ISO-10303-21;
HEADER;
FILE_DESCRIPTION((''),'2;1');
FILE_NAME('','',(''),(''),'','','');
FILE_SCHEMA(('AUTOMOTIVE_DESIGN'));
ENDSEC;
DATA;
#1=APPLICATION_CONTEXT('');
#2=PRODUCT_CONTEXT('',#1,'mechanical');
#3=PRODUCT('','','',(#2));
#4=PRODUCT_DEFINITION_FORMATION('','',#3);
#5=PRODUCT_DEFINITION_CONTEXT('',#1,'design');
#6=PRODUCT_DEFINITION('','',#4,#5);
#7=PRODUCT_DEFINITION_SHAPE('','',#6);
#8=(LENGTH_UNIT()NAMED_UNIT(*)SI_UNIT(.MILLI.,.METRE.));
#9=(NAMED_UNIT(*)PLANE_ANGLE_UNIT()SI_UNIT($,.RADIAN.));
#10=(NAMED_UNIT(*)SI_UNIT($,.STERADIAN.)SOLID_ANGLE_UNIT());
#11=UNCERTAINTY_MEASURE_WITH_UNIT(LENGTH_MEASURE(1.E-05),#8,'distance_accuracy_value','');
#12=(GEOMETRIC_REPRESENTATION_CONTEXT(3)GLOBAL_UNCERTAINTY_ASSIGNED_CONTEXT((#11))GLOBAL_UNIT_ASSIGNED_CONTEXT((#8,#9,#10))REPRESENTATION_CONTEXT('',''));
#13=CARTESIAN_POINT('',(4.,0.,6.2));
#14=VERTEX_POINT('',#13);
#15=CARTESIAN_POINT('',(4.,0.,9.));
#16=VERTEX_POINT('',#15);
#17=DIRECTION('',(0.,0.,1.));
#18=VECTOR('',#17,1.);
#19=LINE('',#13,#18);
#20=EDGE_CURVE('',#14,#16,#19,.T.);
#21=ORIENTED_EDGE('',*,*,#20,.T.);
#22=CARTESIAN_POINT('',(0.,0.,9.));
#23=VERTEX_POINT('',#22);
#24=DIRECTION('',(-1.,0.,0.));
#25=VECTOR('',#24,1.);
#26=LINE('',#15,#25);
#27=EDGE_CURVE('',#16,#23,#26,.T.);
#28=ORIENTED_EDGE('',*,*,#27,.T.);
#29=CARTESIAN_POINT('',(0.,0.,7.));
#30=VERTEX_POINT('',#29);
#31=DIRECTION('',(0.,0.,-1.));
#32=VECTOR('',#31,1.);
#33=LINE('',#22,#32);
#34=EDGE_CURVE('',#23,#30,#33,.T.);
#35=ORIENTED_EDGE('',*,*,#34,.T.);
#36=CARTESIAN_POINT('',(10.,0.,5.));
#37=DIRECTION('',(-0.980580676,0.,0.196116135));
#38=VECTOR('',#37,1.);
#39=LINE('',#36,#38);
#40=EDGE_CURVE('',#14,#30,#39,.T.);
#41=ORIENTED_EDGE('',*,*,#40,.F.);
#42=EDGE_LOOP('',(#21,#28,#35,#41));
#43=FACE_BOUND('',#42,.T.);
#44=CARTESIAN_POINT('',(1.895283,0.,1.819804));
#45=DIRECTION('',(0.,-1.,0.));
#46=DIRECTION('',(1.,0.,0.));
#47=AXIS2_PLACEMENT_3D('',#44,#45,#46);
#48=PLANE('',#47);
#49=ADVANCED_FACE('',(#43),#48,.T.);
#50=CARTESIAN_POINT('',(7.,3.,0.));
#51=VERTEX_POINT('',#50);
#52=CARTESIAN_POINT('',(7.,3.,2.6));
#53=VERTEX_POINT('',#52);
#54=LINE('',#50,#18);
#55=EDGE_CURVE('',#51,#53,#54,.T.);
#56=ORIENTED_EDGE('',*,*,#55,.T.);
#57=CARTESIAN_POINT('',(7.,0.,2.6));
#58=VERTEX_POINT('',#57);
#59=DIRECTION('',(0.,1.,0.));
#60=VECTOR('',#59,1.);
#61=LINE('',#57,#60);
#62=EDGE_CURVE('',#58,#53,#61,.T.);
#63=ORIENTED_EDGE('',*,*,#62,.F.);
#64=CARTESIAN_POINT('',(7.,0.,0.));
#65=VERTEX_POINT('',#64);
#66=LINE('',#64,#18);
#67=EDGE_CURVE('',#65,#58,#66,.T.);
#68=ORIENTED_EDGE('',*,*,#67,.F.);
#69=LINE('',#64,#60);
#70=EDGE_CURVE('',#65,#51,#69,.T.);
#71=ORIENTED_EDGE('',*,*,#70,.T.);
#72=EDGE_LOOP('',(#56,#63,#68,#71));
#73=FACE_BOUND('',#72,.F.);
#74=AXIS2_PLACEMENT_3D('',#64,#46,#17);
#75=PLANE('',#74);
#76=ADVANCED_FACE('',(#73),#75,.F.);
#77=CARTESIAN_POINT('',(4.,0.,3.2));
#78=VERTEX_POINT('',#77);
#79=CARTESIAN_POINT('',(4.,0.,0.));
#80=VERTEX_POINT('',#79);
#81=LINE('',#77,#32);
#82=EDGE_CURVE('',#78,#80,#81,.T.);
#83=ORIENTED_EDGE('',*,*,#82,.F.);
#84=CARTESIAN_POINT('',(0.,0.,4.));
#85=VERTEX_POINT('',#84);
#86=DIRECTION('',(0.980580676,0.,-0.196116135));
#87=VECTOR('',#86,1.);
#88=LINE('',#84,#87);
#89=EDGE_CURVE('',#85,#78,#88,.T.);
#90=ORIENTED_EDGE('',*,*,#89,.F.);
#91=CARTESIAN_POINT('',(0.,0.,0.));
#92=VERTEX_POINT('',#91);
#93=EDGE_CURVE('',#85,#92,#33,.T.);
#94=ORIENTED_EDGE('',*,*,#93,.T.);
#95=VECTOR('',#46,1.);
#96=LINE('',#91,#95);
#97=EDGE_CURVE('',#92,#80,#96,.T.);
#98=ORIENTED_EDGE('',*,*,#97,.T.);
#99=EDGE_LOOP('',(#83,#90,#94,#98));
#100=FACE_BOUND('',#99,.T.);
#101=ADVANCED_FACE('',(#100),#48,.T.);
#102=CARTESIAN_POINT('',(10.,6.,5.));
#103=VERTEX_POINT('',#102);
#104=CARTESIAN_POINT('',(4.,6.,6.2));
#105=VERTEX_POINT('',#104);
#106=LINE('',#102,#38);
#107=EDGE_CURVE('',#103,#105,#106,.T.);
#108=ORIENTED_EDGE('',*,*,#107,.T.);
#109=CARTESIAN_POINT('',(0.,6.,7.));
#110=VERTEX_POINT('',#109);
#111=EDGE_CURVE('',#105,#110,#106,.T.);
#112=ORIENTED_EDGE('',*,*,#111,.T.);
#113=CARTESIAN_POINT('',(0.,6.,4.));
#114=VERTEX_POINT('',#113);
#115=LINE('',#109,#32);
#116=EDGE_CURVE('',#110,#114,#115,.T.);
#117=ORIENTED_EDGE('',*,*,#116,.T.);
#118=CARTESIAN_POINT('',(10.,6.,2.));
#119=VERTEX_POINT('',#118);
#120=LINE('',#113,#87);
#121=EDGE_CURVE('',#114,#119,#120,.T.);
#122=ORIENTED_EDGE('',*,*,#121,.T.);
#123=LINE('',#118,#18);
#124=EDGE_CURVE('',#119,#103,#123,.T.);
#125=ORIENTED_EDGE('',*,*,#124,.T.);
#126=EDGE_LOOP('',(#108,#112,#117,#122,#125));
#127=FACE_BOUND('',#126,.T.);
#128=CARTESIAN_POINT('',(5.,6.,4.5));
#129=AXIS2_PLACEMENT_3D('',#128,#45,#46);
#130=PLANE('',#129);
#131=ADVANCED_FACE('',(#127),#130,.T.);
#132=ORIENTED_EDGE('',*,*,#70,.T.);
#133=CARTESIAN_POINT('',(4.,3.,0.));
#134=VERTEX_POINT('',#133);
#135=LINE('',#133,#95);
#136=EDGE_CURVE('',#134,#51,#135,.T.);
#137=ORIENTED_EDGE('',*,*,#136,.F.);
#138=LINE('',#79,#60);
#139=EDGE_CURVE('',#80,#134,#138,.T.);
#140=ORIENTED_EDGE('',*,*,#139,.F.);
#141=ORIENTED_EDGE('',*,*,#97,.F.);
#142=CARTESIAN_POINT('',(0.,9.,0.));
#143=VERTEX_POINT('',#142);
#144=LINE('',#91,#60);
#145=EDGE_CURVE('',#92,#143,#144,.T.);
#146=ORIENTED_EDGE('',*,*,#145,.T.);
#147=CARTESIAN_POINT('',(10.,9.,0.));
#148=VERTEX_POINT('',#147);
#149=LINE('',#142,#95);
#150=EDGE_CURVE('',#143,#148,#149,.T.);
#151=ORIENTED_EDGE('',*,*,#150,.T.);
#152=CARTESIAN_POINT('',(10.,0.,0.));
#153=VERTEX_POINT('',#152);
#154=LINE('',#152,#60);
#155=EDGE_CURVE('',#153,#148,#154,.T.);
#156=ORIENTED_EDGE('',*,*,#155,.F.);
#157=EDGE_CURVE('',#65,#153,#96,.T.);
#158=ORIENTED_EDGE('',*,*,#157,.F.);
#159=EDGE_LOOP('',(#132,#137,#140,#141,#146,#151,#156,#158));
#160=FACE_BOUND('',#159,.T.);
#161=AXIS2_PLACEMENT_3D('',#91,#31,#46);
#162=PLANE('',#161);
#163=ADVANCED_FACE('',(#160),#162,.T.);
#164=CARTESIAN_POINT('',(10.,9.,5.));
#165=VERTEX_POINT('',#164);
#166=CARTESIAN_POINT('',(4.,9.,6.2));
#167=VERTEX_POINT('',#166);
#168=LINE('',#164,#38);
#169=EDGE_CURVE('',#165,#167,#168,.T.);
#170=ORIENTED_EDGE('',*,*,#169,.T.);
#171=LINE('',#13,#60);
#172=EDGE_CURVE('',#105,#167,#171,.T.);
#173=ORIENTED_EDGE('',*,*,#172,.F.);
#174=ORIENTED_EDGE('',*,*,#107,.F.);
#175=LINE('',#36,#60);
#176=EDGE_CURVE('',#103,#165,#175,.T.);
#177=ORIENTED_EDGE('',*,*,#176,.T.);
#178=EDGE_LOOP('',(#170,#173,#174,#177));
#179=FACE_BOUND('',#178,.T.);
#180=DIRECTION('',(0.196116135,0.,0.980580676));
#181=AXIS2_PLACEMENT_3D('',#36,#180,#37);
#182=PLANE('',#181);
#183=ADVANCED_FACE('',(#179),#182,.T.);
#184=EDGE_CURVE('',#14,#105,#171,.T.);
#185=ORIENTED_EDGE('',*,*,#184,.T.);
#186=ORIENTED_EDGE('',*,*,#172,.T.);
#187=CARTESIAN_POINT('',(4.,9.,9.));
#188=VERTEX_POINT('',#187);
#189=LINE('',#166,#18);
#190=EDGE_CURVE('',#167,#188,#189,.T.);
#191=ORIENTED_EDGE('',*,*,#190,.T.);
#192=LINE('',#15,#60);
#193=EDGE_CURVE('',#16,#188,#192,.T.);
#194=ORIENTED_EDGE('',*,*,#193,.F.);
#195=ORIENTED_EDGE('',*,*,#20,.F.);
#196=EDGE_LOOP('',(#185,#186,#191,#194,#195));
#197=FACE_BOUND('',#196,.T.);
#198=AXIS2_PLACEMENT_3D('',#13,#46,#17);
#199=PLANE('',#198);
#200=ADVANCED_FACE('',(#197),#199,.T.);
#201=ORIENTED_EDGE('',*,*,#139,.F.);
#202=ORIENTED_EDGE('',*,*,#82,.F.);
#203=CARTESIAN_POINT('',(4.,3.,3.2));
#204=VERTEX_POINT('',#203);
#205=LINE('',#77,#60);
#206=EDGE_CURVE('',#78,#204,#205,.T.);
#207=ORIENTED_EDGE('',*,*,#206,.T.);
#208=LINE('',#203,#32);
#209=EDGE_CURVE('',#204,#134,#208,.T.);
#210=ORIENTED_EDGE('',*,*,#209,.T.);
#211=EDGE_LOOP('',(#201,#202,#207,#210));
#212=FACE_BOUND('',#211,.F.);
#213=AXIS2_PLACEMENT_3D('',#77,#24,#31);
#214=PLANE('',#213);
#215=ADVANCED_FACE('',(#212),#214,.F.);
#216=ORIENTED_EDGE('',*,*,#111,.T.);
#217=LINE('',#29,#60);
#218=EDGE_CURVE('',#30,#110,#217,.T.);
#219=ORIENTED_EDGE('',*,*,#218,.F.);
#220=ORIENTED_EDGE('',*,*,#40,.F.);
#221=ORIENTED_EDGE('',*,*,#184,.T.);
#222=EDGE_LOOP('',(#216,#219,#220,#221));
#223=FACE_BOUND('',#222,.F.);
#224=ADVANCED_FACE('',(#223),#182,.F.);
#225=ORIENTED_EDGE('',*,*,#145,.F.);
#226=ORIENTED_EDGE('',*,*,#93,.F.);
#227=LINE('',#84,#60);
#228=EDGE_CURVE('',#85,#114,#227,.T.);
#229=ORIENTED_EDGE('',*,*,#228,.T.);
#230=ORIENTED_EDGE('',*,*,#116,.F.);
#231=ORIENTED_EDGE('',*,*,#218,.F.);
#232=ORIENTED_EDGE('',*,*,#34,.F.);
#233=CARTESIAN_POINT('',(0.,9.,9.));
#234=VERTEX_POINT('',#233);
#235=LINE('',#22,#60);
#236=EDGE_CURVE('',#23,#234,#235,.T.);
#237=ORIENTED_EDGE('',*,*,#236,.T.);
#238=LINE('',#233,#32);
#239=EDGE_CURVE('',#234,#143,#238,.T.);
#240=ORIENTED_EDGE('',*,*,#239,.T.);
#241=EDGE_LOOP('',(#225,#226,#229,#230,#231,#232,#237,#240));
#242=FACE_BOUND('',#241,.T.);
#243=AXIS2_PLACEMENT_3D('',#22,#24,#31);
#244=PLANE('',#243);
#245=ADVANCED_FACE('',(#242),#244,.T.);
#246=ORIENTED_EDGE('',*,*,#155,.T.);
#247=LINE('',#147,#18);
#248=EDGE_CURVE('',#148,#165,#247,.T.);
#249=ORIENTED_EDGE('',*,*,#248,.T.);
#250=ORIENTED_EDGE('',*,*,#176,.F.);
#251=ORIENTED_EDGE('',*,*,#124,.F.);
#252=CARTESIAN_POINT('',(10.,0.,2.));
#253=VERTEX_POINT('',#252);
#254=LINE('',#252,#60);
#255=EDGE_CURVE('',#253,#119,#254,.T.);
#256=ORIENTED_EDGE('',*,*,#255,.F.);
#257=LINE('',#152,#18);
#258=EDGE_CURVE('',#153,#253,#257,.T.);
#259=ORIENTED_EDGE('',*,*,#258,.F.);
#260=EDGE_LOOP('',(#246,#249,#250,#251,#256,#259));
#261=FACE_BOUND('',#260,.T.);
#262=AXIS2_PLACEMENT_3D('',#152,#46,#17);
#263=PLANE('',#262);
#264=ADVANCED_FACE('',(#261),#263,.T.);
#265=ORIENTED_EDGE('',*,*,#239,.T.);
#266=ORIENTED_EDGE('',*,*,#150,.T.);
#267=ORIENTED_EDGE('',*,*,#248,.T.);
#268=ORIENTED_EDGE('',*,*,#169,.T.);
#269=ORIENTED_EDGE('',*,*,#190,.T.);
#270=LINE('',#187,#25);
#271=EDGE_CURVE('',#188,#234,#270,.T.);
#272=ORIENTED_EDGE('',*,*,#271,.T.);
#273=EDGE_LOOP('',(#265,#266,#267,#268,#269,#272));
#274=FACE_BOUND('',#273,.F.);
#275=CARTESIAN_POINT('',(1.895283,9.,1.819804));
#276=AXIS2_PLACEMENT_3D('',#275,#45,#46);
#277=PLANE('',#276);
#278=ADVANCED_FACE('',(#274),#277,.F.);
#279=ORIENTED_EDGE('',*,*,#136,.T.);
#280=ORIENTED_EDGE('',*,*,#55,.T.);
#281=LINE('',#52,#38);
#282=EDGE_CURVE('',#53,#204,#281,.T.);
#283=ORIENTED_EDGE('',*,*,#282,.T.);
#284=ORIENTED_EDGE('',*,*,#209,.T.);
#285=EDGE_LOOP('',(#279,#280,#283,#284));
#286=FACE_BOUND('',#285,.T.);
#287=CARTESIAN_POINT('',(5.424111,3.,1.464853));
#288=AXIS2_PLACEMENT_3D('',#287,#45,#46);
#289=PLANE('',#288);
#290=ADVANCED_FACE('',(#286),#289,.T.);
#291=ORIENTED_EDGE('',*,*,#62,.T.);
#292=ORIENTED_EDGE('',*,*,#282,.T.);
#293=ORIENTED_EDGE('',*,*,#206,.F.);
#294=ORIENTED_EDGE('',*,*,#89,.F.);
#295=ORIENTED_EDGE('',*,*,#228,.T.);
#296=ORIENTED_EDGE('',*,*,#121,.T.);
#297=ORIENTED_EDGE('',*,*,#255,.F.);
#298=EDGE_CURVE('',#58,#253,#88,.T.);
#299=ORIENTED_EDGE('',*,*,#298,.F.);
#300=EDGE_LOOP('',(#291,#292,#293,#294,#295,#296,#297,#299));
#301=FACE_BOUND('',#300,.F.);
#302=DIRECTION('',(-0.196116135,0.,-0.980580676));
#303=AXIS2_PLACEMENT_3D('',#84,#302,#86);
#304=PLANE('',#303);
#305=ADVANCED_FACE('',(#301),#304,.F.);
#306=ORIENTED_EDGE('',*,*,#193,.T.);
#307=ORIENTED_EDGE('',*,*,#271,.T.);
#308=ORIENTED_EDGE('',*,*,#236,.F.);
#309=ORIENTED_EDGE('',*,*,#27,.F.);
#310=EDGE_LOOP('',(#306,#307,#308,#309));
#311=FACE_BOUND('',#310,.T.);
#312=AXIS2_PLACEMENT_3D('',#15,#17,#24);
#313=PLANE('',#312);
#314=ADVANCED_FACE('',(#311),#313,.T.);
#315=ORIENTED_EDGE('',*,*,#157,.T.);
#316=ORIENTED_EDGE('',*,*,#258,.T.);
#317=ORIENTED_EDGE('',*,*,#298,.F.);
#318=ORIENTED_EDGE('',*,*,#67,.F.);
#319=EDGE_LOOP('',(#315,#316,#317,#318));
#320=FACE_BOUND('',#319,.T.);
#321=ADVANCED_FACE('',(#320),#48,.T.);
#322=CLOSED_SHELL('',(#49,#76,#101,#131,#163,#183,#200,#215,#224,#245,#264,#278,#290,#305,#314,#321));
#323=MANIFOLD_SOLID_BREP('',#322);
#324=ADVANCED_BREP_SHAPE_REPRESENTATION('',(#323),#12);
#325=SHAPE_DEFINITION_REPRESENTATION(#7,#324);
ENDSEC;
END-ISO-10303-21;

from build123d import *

# Parameters (mm, degrees)
F1_DEPTH = 9
F2_DEPTH = 6
F3_DEPTH = 3


with BuildPart() as f1:
    # F0 (on Front) → F1 (new body)
    with BuildSketch(Plane.XZ):
        Polygon((0, 4), (0, 0), (4, 0), (4, 3.2), align=None)
        Polygon((7, 2.6), (7, 0), (10, 0), (10, 2), align=None)
        Polygon((0, 9), (0, 7), (4, 6.2), (4, 9), align=None)
        Polygon((4, 3.2), (4, 0), (7, 0), (7, 2.6), align=None)
        Polygon((0, 7), (0, 4), (4, 3.2), (7, 2.6), (10, 2), (10, 5), (4, 6.2), align=None)
    extrude(amount=-F1_DEPTH)

    # F0 (on Front) → F2 (cut)
    with BuildSketch(Plane.XZ):
        Polygon((0, 7), (0, 4), (4, 3.2), (7, 2.6), (10, 2), (10, 5), (4, 6.2), align=None)
    extrude(amount=-F2_DEPTH, mode=Mode.SUBTRACT)

    # F0 (on Front) → F3 (cut)
    with BuildSketch(Plane.XZ):
        Polygon((4, 3.2), (4, 0), (7, 0), (7, 2.6), align=None)
    extrude(amount=-F3_DEPTH, mode=Mode.SUBTRACT)


solid = f1.part
